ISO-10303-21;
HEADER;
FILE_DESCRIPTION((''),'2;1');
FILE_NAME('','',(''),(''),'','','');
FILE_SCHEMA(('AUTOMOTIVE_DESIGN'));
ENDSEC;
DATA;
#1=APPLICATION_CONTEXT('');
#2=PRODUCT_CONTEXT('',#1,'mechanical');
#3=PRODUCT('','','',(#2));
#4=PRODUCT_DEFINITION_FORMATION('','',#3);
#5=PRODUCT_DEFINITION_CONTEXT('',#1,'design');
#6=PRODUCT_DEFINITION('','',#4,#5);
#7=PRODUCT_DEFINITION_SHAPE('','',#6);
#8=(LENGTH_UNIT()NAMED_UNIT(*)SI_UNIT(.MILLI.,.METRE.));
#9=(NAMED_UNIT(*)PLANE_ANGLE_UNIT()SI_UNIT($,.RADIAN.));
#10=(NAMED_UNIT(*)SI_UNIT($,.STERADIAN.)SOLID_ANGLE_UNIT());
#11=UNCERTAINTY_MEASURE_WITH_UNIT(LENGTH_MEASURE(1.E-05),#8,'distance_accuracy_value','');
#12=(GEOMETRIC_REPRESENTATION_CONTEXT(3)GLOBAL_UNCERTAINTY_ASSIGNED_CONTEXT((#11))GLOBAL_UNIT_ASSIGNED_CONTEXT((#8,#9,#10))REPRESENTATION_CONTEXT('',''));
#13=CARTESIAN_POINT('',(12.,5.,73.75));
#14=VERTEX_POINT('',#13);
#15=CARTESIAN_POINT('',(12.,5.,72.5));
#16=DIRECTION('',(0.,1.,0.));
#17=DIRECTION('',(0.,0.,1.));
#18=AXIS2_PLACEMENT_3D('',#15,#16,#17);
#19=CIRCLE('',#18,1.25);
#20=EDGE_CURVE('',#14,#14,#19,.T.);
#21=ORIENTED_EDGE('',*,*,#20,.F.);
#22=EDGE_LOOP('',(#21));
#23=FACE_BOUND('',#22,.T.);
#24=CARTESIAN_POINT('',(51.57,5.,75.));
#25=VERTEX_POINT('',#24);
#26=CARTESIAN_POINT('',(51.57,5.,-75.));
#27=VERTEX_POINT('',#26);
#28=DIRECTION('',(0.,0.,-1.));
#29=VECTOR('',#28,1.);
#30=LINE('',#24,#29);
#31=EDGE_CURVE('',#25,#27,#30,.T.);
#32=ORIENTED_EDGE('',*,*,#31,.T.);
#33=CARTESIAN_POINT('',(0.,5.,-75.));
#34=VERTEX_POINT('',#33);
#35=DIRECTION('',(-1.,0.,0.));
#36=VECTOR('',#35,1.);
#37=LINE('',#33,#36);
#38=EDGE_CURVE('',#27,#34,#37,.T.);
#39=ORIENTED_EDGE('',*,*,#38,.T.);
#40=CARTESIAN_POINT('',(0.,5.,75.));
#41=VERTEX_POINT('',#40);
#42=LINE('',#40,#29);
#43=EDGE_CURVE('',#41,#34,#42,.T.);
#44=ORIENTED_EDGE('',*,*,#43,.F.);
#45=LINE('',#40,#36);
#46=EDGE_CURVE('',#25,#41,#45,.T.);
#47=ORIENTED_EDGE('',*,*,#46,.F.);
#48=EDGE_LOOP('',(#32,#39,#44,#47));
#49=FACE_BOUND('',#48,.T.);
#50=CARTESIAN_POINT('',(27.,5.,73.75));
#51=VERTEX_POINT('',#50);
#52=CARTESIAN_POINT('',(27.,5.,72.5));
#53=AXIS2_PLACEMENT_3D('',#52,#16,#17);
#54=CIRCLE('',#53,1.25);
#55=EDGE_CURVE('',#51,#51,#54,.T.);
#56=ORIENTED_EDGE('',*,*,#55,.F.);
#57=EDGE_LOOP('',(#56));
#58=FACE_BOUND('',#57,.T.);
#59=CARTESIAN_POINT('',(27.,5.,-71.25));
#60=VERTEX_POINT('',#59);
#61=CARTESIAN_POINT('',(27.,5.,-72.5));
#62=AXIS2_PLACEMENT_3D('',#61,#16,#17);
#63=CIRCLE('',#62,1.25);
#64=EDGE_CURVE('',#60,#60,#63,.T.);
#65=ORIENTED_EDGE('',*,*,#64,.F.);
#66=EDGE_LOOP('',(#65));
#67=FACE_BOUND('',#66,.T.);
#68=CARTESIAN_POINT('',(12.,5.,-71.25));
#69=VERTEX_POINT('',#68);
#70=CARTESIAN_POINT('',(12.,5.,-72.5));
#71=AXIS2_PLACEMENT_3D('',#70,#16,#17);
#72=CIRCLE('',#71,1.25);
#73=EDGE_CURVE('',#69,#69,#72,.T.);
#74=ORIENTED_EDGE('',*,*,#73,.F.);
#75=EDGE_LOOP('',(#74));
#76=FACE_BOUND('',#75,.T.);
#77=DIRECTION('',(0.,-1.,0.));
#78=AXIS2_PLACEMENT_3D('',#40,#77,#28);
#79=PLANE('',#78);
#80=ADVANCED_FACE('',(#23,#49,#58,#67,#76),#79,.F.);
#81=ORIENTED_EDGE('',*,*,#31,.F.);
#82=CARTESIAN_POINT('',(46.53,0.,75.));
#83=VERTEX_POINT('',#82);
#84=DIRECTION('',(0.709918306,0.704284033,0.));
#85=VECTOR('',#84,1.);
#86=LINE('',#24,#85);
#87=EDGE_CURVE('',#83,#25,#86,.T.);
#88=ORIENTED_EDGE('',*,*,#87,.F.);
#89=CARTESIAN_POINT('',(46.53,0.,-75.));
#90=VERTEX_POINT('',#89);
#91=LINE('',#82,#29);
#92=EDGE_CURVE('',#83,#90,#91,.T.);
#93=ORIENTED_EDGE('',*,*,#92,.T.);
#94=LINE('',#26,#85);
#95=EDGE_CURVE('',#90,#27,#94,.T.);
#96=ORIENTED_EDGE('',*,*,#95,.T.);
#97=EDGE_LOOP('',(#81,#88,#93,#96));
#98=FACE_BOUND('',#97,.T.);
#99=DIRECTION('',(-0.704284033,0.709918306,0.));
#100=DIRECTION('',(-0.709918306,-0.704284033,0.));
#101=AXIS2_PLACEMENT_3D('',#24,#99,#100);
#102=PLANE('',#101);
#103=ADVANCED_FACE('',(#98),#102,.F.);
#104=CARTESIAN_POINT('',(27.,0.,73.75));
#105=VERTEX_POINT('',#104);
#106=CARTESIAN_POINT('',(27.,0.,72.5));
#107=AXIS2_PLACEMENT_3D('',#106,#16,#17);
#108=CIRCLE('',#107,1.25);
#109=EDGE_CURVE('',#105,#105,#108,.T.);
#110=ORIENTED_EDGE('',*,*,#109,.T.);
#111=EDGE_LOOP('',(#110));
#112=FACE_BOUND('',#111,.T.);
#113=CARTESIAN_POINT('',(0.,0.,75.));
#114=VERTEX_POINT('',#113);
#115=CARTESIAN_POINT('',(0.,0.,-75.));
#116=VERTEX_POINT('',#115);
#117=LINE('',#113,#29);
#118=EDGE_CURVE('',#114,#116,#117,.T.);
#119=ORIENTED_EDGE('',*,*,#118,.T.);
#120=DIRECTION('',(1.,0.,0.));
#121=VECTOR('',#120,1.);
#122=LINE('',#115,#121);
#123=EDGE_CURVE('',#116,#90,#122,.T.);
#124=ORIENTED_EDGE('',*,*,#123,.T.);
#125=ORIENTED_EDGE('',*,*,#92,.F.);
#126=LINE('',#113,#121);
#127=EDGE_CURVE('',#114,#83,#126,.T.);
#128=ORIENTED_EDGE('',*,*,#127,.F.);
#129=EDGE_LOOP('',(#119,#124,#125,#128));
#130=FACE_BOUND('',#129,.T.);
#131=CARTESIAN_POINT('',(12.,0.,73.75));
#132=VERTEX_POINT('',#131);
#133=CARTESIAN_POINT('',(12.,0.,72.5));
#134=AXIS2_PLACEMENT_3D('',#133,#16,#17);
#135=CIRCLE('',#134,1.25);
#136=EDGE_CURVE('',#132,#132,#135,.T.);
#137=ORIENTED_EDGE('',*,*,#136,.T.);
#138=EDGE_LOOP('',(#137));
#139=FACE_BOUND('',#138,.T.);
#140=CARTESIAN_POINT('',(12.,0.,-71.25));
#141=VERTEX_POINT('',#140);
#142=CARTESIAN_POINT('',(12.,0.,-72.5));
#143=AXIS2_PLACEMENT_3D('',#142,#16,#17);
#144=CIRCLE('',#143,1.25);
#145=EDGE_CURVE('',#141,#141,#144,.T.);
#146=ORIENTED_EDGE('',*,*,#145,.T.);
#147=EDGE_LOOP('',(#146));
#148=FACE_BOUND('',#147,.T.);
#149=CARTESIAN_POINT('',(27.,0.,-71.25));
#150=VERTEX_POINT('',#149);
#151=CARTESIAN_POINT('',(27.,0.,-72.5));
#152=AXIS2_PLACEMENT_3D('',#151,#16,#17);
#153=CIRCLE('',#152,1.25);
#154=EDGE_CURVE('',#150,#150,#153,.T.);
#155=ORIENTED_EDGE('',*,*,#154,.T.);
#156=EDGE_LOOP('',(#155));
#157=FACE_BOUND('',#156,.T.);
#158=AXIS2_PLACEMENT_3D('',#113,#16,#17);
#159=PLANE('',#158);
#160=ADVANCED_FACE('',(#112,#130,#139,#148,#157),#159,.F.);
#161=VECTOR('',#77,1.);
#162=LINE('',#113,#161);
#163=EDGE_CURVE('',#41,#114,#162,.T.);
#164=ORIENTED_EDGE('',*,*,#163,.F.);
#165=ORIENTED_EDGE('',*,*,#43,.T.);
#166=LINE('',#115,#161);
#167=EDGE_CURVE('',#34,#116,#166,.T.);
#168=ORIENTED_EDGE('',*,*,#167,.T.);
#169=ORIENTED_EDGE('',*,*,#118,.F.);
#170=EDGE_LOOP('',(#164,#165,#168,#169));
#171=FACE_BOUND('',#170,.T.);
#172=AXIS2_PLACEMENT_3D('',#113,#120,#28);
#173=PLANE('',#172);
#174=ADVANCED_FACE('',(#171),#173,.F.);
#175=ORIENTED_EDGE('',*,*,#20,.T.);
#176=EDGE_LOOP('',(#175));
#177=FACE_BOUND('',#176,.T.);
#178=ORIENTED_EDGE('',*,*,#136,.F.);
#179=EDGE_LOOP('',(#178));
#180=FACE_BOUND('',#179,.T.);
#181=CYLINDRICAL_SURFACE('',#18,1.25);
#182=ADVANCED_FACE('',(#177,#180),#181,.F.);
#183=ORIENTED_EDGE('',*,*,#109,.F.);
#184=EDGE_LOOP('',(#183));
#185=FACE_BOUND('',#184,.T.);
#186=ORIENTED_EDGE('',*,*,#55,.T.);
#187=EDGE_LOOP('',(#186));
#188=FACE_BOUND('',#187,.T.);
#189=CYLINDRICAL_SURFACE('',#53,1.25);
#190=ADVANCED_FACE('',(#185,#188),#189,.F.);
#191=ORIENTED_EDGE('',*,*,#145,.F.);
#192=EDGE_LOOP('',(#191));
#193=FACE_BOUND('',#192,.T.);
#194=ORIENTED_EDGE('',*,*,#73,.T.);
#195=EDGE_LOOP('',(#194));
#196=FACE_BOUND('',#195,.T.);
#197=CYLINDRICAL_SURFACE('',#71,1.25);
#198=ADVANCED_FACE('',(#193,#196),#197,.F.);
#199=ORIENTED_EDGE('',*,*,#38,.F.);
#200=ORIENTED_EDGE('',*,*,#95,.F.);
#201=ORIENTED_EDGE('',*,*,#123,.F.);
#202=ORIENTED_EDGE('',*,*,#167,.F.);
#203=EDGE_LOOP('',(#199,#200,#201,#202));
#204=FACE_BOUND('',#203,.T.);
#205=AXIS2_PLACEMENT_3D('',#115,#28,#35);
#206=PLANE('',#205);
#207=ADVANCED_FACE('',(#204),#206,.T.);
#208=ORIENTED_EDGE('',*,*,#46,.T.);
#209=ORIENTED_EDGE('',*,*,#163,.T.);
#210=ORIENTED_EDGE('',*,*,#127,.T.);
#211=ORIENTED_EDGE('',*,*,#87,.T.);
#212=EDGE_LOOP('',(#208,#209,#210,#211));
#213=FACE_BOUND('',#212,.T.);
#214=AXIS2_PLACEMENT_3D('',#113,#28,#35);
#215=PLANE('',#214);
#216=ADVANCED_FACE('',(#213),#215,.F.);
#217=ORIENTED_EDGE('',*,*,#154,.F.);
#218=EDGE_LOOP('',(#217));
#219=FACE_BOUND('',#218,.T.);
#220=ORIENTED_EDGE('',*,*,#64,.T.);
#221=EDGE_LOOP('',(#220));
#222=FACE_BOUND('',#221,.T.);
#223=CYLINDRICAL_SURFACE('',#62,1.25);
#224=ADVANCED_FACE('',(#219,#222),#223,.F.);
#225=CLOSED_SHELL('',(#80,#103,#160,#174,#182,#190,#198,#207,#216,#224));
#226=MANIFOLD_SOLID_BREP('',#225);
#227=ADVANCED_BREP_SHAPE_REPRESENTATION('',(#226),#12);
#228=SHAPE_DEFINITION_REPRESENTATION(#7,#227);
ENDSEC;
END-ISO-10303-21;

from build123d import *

# Parameters (mm, degrees)
BOSS_EXTRUDE1_DEPTH   = 75
M3X0_5_TAPPED_HOLE1_D = 2.5


with BuildPart() as part:
    # Sketch1 → Boss-Extrude1 (new body, symmetric)
    with BuildSketch(Plane.XY):
        Polygon((51.57, 5), (46.53, 0), (0, 0), (0, 5), align=None)
    extrude(amount=BOSS_EXTRUDE1_DEPTH, both=True)

    # M3x0.5 Tapped Hole1 (through all)
    with Locations(Plane(origin=(0, 5, 0), x_dir=(1, 0, 0), z_dir=(0, 1, 0))):
        with Locations((12, -72.5), (27, -72.5)):
            m3x0_5_tapped_hole1 = Hole(M3X0_5_TAPPED_HOLE1_D / 2)

    # Mirror1: M3x0.5 Tapped Hole1 across plane
    add(m3x0_5_tapped_hole1.mirror(Plane.XY), mode=Mode.SUBTRACT)


solid = part.part
